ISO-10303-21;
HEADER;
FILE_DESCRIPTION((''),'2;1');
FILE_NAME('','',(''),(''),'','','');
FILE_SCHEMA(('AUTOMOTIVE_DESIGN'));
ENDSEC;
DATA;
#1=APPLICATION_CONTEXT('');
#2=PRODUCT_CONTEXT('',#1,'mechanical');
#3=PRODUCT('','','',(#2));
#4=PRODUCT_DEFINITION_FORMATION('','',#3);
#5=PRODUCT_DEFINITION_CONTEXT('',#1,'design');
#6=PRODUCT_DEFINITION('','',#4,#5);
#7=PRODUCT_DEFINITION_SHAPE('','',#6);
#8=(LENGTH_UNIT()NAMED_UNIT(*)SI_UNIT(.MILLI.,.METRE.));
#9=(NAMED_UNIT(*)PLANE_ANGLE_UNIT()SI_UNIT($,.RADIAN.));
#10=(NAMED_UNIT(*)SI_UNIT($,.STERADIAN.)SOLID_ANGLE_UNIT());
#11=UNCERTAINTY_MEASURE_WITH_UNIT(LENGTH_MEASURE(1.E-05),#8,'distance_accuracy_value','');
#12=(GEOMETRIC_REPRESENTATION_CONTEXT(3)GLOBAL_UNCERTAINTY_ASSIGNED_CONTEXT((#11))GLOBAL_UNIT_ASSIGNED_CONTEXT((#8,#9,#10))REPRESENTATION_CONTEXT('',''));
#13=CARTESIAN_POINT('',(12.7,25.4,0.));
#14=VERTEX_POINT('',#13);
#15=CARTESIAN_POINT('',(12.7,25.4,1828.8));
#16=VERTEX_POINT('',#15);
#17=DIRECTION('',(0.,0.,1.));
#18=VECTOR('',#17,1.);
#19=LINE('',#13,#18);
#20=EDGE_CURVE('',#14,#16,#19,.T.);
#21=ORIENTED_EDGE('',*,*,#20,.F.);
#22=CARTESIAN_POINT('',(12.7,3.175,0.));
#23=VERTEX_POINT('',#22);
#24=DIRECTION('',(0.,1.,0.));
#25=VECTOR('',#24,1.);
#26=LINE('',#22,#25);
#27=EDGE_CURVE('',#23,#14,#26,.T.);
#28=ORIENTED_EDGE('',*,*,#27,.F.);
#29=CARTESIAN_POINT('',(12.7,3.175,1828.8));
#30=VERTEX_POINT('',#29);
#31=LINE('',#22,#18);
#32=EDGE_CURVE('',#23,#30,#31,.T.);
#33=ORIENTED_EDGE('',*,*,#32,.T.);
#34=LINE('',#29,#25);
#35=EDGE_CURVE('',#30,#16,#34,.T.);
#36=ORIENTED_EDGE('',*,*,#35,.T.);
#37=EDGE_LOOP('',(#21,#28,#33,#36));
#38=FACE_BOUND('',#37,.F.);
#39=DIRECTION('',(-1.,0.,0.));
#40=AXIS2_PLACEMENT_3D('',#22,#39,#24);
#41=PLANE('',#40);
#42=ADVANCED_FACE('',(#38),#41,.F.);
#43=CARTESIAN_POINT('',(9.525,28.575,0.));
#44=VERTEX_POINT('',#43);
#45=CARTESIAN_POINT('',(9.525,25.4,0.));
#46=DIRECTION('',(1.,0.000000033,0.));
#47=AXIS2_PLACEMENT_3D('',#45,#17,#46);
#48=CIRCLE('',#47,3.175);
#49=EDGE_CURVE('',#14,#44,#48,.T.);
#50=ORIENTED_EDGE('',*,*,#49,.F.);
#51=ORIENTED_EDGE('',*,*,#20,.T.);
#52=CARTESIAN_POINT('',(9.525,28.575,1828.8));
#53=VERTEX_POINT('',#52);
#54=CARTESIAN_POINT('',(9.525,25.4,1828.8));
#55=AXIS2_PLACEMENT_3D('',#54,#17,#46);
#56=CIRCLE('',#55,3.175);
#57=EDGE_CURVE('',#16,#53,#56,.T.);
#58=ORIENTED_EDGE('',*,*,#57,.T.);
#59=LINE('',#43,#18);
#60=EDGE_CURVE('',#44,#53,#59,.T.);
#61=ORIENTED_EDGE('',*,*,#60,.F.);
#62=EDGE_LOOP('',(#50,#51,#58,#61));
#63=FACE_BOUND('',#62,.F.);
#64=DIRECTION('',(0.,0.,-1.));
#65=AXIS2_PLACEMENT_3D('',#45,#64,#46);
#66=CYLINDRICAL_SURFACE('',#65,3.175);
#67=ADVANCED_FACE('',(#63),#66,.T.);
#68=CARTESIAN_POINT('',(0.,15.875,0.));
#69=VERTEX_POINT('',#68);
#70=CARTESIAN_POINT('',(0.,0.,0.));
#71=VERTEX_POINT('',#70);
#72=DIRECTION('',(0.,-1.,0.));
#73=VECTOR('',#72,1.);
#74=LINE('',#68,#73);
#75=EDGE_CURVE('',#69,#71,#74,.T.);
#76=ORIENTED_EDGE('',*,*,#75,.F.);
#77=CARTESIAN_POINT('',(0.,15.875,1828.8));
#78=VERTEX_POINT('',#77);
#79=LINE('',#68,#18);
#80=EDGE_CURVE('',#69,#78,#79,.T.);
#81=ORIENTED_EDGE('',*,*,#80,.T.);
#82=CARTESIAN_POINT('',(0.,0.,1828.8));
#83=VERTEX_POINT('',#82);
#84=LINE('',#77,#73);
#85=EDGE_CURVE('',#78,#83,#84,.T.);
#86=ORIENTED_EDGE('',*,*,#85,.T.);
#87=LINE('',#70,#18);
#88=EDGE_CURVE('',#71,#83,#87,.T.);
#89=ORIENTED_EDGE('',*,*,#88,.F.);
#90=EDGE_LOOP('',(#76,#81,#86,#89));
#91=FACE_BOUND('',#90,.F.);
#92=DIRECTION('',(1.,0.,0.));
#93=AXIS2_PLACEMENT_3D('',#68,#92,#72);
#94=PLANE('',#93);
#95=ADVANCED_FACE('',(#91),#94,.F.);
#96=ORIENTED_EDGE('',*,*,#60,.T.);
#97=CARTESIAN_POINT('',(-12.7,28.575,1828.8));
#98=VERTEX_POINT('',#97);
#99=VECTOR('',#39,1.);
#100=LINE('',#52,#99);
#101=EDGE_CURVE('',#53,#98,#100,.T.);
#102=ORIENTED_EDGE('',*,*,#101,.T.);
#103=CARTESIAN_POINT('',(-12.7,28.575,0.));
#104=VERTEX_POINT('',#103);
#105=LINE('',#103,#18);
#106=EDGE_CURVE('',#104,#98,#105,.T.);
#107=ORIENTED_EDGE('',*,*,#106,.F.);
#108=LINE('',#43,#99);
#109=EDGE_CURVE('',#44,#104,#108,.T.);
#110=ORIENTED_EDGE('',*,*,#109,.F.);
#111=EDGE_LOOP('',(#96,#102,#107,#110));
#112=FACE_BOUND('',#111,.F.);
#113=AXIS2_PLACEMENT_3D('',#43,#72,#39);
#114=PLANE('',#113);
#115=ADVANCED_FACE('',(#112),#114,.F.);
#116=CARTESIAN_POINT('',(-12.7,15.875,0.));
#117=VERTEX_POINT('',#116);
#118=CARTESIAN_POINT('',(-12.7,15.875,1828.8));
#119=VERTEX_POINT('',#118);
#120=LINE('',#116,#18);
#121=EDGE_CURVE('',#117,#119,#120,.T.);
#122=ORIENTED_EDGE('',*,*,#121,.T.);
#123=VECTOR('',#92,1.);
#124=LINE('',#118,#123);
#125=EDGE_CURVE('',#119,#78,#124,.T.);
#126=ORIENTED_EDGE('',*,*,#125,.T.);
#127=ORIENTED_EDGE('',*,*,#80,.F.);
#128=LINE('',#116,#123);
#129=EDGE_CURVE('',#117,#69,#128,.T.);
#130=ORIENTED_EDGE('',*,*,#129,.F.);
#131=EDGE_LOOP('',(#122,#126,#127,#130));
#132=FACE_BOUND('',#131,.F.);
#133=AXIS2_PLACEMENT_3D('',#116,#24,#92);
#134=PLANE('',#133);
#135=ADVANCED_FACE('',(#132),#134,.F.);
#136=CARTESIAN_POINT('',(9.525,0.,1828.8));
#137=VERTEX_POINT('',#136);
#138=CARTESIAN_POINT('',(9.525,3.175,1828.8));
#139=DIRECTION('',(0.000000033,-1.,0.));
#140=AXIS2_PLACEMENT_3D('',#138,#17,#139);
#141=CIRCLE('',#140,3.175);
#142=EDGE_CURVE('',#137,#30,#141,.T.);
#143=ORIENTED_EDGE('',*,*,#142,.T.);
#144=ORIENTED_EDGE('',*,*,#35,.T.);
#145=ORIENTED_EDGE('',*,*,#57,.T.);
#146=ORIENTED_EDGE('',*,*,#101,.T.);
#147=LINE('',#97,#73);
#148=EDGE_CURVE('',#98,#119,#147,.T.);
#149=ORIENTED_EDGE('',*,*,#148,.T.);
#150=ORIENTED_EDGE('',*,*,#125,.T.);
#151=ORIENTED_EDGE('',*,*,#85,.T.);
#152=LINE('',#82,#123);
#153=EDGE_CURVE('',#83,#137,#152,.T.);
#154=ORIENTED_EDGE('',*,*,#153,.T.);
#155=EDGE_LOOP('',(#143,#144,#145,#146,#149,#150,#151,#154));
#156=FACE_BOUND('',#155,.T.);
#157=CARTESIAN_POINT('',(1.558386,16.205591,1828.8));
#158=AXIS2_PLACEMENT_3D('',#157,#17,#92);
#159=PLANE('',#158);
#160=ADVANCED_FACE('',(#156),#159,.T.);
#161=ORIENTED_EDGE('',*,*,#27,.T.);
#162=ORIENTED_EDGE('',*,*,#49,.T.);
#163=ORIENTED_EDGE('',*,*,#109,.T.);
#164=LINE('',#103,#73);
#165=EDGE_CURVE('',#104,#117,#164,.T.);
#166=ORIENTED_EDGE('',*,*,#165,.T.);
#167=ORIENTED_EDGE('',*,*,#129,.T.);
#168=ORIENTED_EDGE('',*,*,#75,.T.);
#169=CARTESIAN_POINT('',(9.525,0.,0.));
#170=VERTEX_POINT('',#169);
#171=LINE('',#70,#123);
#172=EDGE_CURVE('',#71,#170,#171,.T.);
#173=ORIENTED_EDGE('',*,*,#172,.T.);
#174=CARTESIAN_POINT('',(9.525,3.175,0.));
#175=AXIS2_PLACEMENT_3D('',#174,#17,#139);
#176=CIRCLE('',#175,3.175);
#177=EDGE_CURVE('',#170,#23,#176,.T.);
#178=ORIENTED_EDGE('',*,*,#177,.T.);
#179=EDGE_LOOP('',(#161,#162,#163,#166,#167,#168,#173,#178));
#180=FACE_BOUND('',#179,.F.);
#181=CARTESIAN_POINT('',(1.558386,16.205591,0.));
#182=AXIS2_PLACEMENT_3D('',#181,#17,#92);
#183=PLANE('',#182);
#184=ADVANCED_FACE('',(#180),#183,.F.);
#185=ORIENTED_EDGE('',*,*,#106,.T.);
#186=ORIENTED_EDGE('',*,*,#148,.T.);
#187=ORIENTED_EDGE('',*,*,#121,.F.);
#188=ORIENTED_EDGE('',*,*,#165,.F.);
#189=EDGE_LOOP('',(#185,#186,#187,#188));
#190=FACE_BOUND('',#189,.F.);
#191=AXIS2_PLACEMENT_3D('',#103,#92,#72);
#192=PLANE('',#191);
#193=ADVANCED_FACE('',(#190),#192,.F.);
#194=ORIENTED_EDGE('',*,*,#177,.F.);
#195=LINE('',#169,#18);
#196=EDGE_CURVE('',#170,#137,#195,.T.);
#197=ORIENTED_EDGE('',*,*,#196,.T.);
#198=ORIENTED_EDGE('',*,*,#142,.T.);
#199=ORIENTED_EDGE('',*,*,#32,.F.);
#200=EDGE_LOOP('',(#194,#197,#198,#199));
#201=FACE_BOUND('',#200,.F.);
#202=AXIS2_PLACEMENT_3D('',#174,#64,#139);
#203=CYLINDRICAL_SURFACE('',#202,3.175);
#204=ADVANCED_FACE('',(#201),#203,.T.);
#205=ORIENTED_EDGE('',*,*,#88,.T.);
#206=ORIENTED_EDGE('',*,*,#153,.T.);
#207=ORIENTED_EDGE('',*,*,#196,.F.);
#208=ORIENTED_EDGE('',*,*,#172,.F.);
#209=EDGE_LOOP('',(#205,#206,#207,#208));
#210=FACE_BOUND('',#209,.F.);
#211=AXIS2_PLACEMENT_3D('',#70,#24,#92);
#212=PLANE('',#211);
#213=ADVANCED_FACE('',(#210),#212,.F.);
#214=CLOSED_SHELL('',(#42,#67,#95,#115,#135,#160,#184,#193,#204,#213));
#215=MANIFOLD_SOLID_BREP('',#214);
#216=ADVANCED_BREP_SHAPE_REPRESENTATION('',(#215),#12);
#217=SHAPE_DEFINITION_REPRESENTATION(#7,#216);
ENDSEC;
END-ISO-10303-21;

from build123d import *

# Parameters (mm, degrees)
F1_DEPTH = 1828.8


with BuildPart() as f1:
    # F0 (on Top) → F1 (new body)
    with BuildSketch(Plane.XY):
        with BuildLine():
            Line((0, 15.875), (0, 0))
            Line((0, 0), (9.525, 0))
            ThreePointArc((9.525, 0), (11.770064, 0.929936), (12.7, 3.175))
            Line((12.7, 3.175), (12.7, 25.4))
            ThreePointArc((12.7, 25.4), (11.770064, 27.645064), (9.525, 28.575))
            Line((9.525, 28.575), (-12.7, 28.575))
            Line((-12.7, 28.575), (-12.7, 15.875))
            Line((-12.7, 15.875), (0, 15.875))
        make_face()
    extrude(amount=F1_DEPTH)


solid = f1.part
